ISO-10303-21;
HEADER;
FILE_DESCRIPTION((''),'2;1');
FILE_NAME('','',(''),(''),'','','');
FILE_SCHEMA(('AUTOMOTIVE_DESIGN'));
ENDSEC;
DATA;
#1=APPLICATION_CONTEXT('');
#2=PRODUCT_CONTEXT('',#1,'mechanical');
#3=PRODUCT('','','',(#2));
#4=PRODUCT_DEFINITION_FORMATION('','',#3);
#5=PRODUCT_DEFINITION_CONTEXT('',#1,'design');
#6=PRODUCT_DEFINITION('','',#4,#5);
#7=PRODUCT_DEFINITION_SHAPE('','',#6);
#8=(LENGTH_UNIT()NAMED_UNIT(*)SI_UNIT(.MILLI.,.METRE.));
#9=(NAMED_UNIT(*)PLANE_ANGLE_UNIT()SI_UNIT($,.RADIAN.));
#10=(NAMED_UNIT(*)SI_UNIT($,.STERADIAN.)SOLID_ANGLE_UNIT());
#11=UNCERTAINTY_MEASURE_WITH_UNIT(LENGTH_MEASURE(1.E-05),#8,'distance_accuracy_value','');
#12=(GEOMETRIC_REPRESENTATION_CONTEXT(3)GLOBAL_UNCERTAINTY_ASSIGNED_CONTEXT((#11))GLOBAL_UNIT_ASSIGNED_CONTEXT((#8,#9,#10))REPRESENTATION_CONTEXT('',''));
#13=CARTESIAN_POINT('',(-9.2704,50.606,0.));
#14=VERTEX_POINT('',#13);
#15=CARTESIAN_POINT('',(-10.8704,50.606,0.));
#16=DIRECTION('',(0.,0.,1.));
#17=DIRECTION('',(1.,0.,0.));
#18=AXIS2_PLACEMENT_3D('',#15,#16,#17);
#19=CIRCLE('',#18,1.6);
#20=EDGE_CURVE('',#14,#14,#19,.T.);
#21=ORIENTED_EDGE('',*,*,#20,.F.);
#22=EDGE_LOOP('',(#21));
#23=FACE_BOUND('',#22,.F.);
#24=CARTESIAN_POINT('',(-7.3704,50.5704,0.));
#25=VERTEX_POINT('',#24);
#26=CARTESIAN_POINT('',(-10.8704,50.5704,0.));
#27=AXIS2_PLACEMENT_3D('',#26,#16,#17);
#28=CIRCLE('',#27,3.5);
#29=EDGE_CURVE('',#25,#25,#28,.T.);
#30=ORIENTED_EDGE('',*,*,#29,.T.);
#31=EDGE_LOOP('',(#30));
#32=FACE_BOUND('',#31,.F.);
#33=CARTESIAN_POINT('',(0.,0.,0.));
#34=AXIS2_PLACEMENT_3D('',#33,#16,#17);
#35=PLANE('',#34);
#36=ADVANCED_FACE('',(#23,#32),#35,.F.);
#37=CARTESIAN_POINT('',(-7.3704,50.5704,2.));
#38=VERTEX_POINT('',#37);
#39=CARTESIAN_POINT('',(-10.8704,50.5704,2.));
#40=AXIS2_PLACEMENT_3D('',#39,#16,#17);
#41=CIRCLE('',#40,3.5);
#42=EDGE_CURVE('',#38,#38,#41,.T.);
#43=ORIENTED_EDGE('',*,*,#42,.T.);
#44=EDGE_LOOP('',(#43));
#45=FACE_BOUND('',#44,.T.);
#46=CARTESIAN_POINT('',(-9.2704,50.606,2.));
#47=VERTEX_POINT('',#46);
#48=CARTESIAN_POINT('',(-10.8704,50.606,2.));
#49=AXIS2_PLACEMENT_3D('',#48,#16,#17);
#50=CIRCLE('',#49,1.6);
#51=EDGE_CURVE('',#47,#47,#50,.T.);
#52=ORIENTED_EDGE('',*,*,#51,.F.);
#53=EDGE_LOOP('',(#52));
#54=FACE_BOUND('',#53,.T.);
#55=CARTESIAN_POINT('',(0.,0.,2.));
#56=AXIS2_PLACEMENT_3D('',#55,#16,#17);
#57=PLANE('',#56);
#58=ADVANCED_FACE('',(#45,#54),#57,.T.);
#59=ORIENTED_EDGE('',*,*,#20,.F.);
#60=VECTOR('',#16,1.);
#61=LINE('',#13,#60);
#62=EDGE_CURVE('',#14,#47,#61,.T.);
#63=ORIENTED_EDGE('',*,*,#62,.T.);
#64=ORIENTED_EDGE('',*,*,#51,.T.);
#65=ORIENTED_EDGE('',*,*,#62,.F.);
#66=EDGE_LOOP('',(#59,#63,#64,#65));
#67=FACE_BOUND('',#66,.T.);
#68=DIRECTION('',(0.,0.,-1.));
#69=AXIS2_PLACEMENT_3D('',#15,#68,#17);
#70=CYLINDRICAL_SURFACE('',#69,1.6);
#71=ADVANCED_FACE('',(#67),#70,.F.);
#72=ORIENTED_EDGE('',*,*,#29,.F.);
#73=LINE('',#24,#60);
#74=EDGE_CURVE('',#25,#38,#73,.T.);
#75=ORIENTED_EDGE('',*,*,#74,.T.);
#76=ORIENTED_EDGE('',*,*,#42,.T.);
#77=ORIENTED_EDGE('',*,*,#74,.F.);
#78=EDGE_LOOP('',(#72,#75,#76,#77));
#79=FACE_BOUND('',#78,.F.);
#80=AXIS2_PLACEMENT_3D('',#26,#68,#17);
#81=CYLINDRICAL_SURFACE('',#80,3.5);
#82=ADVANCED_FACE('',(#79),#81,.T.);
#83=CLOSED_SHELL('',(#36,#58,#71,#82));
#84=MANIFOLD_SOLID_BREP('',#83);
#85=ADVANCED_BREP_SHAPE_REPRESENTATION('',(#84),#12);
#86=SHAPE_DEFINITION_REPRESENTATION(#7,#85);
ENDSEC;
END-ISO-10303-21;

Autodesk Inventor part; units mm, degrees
ref_plane "YZ Plane" through (0, 0, 0) normal (1, 0, 0) x (0, 1, 0)
ref_plane "XZ Plane" through (0, 0, 0) normal (0, 1, 0) x (-1, 0, 0)
ref_plane "Work Plane1" through (0, 0, 0) normal (0, 0, 1) x (1, 0, 0)
sketch "Sketch1" plane through (0, 0, 0) normal (0, 0, 1) x (1, 0, 0)
  circle A0 centre (-10.8704, 50.5704) radius 3.5
  circle A1 centre (-10.8704, 50.606) radius 1.6
  dimension "d0" = 7
  dimension "d1" = 3.2
extrude "Extrusion1" add sketch "Sketch1" along normal blind 2
properties part number "case_top_standoff"
